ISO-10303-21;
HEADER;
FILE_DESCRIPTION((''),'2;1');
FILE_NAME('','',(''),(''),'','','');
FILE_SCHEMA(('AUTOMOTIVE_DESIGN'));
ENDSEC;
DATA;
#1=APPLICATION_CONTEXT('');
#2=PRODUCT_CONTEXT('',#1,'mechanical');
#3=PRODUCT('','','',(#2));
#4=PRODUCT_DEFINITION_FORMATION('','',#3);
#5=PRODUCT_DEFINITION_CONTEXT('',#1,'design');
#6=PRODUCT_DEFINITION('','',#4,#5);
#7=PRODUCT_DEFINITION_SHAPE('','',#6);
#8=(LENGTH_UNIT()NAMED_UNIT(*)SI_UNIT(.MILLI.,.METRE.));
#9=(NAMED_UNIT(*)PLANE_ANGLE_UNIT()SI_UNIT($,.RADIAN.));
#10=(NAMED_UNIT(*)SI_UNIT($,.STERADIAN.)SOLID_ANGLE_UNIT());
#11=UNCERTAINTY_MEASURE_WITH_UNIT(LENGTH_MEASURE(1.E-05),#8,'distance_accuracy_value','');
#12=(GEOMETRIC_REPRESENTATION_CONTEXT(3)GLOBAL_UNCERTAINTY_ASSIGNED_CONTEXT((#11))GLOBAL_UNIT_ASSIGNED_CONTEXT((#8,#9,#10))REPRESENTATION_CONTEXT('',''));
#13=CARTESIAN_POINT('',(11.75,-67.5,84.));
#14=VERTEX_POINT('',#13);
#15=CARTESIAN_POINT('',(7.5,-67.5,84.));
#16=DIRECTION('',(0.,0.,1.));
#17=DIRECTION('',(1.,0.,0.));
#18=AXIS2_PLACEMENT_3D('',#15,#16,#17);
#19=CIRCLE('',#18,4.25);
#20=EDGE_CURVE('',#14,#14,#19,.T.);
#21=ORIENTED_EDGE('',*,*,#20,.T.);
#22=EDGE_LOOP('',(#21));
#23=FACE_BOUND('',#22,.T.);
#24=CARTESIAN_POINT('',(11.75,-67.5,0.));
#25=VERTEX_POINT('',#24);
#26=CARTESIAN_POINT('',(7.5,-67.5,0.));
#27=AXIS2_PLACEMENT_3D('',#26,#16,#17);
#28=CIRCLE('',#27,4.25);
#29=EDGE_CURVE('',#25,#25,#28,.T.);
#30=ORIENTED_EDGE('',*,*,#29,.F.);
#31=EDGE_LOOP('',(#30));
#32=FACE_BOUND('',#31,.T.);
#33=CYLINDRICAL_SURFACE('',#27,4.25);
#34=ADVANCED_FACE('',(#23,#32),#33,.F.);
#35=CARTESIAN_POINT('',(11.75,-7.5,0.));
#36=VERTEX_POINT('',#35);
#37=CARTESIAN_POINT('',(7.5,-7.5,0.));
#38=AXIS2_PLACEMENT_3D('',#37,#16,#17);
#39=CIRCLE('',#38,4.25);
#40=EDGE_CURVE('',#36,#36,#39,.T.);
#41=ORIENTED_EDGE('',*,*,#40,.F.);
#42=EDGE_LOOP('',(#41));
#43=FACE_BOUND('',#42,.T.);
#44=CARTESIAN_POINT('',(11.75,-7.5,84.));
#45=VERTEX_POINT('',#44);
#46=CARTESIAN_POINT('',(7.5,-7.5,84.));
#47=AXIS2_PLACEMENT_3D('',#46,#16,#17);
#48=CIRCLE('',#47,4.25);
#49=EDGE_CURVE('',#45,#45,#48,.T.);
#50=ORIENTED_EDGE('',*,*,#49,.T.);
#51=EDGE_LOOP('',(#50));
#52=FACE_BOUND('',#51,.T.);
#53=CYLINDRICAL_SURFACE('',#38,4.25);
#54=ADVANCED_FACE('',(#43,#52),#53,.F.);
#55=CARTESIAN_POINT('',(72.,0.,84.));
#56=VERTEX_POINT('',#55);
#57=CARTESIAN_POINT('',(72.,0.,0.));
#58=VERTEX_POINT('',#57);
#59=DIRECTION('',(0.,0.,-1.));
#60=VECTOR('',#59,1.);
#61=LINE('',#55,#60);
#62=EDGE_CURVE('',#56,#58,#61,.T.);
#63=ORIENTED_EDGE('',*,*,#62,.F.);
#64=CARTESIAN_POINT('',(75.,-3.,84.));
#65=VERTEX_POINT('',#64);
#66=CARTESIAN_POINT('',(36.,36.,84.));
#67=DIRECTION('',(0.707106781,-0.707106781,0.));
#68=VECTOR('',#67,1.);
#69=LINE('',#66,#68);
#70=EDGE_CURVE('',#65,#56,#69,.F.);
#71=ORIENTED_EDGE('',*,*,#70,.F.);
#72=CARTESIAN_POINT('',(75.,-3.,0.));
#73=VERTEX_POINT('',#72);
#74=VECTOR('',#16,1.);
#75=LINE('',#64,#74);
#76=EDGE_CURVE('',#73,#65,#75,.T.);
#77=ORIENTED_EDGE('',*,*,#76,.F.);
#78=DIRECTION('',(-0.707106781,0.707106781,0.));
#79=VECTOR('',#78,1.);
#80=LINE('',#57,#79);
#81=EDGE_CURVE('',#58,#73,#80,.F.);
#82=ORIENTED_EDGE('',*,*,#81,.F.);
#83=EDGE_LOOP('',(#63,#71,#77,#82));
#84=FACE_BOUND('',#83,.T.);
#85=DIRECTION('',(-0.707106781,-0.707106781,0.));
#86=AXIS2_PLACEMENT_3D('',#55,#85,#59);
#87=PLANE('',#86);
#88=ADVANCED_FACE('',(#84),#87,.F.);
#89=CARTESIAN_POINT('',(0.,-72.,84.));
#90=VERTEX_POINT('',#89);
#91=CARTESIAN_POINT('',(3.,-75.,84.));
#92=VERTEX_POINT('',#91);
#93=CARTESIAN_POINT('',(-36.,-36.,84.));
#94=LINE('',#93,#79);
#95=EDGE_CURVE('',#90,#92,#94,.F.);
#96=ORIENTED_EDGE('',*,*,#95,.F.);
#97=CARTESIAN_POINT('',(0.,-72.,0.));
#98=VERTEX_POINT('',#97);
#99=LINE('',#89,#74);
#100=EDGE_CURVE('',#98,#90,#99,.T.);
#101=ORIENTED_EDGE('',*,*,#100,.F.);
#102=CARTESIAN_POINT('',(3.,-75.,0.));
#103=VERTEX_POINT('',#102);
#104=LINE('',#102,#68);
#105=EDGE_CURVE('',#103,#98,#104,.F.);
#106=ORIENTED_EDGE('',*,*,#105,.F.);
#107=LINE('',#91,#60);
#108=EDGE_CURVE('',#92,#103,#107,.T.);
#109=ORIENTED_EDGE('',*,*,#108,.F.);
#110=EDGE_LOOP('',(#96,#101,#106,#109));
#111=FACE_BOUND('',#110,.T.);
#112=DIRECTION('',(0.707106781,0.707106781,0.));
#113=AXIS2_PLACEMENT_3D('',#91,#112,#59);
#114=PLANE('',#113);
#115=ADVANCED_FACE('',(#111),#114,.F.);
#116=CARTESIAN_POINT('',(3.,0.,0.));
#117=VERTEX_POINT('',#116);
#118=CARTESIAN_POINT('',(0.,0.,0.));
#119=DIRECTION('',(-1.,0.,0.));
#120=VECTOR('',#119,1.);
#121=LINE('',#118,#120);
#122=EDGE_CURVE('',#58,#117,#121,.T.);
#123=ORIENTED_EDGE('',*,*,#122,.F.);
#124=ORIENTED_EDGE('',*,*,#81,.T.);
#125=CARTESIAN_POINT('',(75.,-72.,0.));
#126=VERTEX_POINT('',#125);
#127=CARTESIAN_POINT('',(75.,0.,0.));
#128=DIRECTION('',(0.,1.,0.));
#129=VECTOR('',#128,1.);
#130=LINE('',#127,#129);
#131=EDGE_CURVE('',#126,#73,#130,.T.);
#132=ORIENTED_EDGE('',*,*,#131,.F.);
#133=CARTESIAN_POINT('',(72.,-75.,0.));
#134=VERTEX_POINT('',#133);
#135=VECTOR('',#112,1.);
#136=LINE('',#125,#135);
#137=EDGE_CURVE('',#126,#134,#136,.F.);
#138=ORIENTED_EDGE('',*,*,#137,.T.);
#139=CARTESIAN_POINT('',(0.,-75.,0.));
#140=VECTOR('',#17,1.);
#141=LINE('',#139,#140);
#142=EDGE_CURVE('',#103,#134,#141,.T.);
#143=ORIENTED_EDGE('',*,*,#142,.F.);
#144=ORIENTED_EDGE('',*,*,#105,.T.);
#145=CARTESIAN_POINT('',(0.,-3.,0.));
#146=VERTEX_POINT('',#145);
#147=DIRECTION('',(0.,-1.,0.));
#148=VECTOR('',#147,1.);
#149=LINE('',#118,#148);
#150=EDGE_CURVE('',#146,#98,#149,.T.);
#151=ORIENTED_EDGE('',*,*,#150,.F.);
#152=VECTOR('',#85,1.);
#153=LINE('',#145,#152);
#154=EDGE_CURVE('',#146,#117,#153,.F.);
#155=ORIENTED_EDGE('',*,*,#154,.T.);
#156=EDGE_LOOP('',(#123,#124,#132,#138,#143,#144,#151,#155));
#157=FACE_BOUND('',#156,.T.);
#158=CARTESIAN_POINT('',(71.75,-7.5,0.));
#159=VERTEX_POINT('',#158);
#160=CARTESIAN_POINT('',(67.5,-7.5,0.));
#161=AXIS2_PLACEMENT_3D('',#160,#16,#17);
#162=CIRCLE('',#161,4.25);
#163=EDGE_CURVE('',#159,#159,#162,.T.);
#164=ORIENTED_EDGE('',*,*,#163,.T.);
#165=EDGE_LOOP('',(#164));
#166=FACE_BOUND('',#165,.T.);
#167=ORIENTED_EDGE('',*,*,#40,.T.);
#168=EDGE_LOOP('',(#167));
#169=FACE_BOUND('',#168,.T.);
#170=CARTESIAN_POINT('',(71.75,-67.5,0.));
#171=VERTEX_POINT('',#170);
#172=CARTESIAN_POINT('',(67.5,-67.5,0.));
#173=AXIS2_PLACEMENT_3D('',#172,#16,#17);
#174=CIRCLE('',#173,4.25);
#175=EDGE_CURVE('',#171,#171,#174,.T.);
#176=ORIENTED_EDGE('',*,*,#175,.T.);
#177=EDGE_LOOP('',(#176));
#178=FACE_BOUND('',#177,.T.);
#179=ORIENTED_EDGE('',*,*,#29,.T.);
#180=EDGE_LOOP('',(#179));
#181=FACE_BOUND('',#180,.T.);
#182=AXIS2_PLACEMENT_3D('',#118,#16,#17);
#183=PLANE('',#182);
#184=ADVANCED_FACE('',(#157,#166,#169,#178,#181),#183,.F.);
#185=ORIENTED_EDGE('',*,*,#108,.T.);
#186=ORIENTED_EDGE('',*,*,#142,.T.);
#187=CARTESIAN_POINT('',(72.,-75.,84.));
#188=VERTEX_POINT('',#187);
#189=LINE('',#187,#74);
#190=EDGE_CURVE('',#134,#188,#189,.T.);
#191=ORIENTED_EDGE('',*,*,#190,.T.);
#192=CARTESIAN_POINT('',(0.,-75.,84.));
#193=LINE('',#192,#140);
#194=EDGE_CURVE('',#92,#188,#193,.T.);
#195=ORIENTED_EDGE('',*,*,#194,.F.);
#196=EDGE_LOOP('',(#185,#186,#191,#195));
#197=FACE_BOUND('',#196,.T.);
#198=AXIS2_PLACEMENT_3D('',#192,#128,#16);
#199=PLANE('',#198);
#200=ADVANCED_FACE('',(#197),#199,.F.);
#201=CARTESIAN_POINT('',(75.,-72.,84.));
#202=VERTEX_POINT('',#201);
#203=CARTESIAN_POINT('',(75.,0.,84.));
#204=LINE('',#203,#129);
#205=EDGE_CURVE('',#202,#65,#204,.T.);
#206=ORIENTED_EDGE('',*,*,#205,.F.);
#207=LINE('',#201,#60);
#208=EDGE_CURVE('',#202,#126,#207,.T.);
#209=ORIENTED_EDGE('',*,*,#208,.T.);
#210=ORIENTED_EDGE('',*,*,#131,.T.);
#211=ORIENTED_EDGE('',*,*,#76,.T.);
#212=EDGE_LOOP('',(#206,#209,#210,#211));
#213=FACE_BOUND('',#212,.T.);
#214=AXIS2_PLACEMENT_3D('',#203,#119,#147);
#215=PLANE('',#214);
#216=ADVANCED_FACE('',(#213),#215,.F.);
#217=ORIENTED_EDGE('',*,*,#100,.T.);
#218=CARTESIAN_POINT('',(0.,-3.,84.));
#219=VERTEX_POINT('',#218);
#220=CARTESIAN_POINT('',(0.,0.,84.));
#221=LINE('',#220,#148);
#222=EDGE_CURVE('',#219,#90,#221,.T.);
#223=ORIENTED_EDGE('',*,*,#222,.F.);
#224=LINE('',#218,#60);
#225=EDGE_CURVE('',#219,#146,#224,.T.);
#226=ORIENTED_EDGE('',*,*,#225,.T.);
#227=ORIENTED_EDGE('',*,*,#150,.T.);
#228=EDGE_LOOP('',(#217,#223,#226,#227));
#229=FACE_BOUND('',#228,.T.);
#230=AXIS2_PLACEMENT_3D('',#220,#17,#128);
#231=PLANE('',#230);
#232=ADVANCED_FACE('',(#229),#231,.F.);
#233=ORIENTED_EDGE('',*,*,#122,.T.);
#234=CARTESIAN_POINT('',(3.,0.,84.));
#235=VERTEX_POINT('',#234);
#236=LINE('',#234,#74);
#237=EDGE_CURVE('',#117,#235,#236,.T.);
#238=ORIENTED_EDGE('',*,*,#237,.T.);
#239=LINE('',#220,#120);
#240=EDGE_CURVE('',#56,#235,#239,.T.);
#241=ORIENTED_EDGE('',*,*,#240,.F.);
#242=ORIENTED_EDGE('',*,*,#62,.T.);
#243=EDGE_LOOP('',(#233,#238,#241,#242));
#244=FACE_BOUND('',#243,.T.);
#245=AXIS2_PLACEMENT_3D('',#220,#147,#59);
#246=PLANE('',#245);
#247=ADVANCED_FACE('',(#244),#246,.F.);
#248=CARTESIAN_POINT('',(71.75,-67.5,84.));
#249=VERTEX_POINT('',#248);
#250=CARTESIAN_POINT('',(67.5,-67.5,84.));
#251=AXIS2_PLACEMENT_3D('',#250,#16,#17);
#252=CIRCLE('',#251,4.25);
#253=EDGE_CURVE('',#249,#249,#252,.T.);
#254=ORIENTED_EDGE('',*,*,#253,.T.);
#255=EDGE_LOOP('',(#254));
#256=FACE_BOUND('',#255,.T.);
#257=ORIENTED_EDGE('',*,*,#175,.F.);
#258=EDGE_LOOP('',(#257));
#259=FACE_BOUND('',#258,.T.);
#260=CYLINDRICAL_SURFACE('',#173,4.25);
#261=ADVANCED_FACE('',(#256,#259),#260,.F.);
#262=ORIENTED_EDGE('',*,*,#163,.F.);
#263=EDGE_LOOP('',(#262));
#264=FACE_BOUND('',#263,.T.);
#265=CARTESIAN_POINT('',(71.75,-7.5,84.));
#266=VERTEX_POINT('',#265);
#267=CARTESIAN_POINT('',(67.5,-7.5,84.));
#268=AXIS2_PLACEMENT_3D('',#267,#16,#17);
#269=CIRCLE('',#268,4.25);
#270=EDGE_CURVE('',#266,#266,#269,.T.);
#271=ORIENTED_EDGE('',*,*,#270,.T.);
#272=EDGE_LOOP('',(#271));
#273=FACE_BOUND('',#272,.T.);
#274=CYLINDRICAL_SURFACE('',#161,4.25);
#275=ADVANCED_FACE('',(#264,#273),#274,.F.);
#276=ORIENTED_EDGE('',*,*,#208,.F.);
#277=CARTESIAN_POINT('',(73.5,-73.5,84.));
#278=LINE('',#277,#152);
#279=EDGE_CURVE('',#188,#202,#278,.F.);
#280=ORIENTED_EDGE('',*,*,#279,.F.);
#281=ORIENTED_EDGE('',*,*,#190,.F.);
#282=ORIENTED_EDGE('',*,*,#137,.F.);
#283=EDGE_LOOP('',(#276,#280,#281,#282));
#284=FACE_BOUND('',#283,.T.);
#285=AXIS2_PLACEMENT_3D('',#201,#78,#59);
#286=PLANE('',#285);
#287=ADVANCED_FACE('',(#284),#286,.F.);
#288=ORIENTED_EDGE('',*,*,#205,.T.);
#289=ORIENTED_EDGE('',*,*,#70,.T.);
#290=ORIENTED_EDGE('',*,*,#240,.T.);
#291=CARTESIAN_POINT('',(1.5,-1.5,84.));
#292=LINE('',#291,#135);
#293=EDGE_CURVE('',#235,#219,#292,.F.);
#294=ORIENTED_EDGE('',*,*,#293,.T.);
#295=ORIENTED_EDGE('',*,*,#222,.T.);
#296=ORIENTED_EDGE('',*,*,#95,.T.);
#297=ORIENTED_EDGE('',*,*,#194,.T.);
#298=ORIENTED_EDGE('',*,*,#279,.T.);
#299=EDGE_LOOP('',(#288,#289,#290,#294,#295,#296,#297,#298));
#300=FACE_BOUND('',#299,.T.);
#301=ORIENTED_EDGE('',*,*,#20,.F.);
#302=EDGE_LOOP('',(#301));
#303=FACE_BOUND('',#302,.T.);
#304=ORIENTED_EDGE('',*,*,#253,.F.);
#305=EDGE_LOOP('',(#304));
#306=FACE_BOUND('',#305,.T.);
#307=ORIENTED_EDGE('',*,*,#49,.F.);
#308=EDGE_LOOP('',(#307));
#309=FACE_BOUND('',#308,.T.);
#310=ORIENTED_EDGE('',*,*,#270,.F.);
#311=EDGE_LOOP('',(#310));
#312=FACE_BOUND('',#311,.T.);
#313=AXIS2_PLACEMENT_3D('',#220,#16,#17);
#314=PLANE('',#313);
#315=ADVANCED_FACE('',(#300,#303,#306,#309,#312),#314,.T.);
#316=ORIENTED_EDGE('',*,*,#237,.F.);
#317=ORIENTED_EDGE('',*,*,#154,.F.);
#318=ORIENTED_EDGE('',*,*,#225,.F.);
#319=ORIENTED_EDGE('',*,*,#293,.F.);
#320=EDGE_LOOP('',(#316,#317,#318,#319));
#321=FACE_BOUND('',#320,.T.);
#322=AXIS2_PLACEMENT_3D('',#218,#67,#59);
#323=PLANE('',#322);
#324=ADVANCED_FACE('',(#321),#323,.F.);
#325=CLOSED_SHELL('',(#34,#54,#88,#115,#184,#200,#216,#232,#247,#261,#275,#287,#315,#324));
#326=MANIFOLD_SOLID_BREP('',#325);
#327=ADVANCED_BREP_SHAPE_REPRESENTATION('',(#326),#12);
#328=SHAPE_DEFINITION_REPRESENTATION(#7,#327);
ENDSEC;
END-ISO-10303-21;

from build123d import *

# Parameters (mm, degrees)
SKETCH_1_W          = 75
SKETCH_1_H          = 75
EXTRUDE_1_DEPTH     = 84
CHAMFER_1_SIZE      = 3
SKETCH_2_R          = 4.25
CUT_EXTRUDE_1_DEPTH = 85


with BuildPart() as part:
    # 草图1 → 凸台-拉伸1 (new body)
    with BuildSketch(Plane.XY):
        with Locations((37.5, -37.5)):
            Rectangle(SKETCH_1_W, SKETCH_1_H)
    extrude(amount=EXTRUDE_1_DEPTH)

    # 倒角1
    chamfer_1_edges = [part.edges().sort_by_distance(p)[0] for p in [
        (0, 0, 42),
        (75, 0, 42),
        (75, -75, 42),
        (0, -75, 42),
    ]]
    chamfer(chamfer_1_edges, length=CHAMFER_1_SIZE)

    # 草图2 → 切除-拉伸1 (cut, through all)
    with BuildSketch(Plane.XY.offset(84)):
        with Locations((7.5, -7.5)):
            Circle(SKETCH_2_R)
        with Locations((67.5, -7.5)):
            Circle(SKETCH_2_R)
        with Locations((67.5, -67.5)):
            Circle(SKETCH_2_R)
        with Locations((7.5, -67.5)):
            Circle(SKETCH_2_R)
    extrude(amount=-CUT_EXTRUDE_1_DEPTH, mode=Mode.SUBTRACT)


solid = part.part
